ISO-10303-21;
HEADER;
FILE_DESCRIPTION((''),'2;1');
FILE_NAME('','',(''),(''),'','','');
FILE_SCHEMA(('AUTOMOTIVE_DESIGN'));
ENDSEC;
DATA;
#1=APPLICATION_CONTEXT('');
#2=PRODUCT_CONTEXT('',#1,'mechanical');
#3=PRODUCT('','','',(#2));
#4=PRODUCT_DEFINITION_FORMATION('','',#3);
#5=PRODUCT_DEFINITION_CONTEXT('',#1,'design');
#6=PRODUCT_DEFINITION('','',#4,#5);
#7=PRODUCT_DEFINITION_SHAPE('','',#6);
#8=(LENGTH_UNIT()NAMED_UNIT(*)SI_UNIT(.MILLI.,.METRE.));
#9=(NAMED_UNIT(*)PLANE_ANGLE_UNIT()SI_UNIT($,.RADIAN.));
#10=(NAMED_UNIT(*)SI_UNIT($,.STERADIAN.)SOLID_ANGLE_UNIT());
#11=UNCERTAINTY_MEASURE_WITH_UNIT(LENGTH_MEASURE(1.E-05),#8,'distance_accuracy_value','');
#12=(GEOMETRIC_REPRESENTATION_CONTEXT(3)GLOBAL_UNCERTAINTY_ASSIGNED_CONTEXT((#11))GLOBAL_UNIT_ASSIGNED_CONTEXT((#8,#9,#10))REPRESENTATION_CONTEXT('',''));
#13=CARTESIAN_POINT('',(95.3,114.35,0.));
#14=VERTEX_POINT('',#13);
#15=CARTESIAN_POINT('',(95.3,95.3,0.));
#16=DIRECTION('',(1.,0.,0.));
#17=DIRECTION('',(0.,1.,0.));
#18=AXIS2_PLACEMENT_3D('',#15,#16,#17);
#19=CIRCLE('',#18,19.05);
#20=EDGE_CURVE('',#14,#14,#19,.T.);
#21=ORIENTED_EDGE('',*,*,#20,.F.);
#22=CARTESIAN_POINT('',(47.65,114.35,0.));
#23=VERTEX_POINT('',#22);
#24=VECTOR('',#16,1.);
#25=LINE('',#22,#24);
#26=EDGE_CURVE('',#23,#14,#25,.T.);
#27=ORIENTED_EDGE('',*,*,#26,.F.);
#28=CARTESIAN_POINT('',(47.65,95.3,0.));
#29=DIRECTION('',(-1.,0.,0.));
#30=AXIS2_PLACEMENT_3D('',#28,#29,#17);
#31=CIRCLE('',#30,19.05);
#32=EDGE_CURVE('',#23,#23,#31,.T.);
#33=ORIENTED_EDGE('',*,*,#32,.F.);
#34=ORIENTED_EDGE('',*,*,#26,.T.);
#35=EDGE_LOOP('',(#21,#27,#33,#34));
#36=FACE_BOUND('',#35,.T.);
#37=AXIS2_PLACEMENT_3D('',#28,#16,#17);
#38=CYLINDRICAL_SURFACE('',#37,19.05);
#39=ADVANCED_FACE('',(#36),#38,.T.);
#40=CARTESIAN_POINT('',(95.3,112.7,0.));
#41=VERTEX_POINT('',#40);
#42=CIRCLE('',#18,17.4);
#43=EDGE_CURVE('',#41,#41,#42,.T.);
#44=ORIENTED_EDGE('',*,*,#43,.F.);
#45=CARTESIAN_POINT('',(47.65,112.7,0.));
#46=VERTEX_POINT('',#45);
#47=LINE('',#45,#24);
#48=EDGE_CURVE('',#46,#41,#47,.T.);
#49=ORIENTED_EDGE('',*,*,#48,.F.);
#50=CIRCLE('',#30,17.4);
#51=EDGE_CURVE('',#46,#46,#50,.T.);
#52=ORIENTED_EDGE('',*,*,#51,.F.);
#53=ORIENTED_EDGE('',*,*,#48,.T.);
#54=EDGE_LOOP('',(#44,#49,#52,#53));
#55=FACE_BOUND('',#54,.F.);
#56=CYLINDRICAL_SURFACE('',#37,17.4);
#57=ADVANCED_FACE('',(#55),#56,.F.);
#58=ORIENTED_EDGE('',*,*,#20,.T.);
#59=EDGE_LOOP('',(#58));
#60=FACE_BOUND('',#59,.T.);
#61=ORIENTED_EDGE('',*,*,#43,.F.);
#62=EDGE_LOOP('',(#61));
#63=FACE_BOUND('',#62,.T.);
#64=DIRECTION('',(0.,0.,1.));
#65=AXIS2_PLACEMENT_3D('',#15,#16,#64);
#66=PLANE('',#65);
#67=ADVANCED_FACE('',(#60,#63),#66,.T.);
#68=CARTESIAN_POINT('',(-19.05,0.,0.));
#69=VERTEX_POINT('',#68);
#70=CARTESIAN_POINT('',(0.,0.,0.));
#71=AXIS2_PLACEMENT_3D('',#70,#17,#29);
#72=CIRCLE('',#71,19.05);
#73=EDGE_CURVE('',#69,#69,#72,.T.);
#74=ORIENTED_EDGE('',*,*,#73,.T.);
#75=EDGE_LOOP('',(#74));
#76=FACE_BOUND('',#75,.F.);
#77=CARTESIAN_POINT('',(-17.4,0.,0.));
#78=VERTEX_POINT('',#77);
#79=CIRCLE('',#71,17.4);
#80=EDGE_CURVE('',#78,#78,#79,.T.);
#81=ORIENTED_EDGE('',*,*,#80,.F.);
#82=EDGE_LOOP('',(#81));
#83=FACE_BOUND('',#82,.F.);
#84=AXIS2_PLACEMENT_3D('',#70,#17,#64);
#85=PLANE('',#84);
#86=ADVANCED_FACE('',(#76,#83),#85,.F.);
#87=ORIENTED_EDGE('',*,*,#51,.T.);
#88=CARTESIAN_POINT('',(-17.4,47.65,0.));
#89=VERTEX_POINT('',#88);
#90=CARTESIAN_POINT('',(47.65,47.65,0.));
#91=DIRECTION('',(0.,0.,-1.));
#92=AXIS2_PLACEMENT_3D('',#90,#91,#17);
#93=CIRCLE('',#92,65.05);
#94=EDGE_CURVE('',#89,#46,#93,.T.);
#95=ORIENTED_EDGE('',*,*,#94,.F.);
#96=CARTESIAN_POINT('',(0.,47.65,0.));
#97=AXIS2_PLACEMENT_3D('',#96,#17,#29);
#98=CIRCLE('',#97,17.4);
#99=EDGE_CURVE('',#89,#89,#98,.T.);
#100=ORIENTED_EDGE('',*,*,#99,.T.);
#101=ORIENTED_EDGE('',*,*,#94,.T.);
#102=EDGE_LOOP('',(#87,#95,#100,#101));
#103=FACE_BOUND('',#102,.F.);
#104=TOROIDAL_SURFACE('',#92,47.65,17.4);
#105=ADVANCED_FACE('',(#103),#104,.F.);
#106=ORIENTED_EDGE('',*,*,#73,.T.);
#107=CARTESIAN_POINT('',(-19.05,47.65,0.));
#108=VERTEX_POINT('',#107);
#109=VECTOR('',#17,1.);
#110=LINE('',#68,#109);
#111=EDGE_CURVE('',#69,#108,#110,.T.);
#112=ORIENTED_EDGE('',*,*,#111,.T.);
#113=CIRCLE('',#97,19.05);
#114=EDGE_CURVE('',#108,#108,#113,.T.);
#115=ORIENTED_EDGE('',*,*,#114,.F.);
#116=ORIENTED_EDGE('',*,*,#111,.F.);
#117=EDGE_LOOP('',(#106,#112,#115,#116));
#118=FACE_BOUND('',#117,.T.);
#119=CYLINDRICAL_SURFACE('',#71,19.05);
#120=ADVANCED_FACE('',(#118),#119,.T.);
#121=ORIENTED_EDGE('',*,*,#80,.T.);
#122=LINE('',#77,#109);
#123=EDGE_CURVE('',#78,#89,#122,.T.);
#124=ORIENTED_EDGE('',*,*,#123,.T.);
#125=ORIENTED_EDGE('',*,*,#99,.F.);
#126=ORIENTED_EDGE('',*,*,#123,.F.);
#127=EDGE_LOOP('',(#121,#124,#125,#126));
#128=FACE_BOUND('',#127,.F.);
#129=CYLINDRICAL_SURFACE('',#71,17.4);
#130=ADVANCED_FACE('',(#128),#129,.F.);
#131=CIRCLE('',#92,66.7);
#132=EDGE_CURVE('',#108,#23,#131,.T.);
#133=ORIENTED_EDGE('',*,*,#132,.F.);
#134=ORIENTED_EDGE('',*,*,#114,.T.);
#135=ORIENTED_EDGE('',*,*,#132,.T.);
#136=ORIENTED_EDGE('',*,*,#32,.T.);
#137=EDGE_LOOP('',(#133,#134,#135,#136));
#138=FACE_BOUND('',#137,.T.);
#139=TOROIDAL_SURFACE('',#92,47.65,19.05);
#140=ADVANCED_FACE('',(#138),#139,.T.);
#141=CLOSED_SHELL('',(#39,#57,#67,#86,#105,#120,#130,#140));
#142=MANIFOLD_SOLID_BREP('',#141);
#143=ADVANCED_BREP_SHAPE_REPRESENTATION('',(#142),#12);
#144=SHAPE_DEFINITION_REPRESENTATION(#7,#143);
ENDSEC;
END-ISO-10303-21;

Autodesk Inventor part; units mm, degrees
ref_plane "YZ Plane" through (0, 0, 0) normal (1, 0, 0) x (0, 1, 0)
ref_plane "XZ Plane" through (0, 0, 0) normal (0, 1, 0) x (-1, 0, 0)
ref_plane "XY Plane" through (0, 0, 0) normal (0, 0, 1) x (1, 0, 0)
sketch "Sketch1" plane through (0, 0, 0) normal (0, 0, 1) x (1, 0, 0)
  line L0 (0, 0) -> (0, 47.65)
  line L1 (47.65, 95.3) -> (95.3, 95.3)
  arc A0 (47.65, 95.3) -> (0, 47.65) centre (47.65, 47.65) ccw
  dimension "d0" = 95.3
  dimension "d1" = 95.3
  dimension "d2" = 47.65
sketch "Sketch2" plane through (0, 0, 0) normal (0, 1, 0) x (-1, 0, 0)
  circle A0 centre (0, 0) radius 19.05
  circle A1 centre (0, 0) radius 17.4
  dimension "d4" = 1.65
  dimension "d5" = 38.1
sweep "Sweep1" add profiles "Sketch2" path "Sketch1"
equation "\"d1\" = d0"
equation "\"d2\" = 0.5 * d0"
properties part number "ASME BPE 90DEG ELB-38.1"
